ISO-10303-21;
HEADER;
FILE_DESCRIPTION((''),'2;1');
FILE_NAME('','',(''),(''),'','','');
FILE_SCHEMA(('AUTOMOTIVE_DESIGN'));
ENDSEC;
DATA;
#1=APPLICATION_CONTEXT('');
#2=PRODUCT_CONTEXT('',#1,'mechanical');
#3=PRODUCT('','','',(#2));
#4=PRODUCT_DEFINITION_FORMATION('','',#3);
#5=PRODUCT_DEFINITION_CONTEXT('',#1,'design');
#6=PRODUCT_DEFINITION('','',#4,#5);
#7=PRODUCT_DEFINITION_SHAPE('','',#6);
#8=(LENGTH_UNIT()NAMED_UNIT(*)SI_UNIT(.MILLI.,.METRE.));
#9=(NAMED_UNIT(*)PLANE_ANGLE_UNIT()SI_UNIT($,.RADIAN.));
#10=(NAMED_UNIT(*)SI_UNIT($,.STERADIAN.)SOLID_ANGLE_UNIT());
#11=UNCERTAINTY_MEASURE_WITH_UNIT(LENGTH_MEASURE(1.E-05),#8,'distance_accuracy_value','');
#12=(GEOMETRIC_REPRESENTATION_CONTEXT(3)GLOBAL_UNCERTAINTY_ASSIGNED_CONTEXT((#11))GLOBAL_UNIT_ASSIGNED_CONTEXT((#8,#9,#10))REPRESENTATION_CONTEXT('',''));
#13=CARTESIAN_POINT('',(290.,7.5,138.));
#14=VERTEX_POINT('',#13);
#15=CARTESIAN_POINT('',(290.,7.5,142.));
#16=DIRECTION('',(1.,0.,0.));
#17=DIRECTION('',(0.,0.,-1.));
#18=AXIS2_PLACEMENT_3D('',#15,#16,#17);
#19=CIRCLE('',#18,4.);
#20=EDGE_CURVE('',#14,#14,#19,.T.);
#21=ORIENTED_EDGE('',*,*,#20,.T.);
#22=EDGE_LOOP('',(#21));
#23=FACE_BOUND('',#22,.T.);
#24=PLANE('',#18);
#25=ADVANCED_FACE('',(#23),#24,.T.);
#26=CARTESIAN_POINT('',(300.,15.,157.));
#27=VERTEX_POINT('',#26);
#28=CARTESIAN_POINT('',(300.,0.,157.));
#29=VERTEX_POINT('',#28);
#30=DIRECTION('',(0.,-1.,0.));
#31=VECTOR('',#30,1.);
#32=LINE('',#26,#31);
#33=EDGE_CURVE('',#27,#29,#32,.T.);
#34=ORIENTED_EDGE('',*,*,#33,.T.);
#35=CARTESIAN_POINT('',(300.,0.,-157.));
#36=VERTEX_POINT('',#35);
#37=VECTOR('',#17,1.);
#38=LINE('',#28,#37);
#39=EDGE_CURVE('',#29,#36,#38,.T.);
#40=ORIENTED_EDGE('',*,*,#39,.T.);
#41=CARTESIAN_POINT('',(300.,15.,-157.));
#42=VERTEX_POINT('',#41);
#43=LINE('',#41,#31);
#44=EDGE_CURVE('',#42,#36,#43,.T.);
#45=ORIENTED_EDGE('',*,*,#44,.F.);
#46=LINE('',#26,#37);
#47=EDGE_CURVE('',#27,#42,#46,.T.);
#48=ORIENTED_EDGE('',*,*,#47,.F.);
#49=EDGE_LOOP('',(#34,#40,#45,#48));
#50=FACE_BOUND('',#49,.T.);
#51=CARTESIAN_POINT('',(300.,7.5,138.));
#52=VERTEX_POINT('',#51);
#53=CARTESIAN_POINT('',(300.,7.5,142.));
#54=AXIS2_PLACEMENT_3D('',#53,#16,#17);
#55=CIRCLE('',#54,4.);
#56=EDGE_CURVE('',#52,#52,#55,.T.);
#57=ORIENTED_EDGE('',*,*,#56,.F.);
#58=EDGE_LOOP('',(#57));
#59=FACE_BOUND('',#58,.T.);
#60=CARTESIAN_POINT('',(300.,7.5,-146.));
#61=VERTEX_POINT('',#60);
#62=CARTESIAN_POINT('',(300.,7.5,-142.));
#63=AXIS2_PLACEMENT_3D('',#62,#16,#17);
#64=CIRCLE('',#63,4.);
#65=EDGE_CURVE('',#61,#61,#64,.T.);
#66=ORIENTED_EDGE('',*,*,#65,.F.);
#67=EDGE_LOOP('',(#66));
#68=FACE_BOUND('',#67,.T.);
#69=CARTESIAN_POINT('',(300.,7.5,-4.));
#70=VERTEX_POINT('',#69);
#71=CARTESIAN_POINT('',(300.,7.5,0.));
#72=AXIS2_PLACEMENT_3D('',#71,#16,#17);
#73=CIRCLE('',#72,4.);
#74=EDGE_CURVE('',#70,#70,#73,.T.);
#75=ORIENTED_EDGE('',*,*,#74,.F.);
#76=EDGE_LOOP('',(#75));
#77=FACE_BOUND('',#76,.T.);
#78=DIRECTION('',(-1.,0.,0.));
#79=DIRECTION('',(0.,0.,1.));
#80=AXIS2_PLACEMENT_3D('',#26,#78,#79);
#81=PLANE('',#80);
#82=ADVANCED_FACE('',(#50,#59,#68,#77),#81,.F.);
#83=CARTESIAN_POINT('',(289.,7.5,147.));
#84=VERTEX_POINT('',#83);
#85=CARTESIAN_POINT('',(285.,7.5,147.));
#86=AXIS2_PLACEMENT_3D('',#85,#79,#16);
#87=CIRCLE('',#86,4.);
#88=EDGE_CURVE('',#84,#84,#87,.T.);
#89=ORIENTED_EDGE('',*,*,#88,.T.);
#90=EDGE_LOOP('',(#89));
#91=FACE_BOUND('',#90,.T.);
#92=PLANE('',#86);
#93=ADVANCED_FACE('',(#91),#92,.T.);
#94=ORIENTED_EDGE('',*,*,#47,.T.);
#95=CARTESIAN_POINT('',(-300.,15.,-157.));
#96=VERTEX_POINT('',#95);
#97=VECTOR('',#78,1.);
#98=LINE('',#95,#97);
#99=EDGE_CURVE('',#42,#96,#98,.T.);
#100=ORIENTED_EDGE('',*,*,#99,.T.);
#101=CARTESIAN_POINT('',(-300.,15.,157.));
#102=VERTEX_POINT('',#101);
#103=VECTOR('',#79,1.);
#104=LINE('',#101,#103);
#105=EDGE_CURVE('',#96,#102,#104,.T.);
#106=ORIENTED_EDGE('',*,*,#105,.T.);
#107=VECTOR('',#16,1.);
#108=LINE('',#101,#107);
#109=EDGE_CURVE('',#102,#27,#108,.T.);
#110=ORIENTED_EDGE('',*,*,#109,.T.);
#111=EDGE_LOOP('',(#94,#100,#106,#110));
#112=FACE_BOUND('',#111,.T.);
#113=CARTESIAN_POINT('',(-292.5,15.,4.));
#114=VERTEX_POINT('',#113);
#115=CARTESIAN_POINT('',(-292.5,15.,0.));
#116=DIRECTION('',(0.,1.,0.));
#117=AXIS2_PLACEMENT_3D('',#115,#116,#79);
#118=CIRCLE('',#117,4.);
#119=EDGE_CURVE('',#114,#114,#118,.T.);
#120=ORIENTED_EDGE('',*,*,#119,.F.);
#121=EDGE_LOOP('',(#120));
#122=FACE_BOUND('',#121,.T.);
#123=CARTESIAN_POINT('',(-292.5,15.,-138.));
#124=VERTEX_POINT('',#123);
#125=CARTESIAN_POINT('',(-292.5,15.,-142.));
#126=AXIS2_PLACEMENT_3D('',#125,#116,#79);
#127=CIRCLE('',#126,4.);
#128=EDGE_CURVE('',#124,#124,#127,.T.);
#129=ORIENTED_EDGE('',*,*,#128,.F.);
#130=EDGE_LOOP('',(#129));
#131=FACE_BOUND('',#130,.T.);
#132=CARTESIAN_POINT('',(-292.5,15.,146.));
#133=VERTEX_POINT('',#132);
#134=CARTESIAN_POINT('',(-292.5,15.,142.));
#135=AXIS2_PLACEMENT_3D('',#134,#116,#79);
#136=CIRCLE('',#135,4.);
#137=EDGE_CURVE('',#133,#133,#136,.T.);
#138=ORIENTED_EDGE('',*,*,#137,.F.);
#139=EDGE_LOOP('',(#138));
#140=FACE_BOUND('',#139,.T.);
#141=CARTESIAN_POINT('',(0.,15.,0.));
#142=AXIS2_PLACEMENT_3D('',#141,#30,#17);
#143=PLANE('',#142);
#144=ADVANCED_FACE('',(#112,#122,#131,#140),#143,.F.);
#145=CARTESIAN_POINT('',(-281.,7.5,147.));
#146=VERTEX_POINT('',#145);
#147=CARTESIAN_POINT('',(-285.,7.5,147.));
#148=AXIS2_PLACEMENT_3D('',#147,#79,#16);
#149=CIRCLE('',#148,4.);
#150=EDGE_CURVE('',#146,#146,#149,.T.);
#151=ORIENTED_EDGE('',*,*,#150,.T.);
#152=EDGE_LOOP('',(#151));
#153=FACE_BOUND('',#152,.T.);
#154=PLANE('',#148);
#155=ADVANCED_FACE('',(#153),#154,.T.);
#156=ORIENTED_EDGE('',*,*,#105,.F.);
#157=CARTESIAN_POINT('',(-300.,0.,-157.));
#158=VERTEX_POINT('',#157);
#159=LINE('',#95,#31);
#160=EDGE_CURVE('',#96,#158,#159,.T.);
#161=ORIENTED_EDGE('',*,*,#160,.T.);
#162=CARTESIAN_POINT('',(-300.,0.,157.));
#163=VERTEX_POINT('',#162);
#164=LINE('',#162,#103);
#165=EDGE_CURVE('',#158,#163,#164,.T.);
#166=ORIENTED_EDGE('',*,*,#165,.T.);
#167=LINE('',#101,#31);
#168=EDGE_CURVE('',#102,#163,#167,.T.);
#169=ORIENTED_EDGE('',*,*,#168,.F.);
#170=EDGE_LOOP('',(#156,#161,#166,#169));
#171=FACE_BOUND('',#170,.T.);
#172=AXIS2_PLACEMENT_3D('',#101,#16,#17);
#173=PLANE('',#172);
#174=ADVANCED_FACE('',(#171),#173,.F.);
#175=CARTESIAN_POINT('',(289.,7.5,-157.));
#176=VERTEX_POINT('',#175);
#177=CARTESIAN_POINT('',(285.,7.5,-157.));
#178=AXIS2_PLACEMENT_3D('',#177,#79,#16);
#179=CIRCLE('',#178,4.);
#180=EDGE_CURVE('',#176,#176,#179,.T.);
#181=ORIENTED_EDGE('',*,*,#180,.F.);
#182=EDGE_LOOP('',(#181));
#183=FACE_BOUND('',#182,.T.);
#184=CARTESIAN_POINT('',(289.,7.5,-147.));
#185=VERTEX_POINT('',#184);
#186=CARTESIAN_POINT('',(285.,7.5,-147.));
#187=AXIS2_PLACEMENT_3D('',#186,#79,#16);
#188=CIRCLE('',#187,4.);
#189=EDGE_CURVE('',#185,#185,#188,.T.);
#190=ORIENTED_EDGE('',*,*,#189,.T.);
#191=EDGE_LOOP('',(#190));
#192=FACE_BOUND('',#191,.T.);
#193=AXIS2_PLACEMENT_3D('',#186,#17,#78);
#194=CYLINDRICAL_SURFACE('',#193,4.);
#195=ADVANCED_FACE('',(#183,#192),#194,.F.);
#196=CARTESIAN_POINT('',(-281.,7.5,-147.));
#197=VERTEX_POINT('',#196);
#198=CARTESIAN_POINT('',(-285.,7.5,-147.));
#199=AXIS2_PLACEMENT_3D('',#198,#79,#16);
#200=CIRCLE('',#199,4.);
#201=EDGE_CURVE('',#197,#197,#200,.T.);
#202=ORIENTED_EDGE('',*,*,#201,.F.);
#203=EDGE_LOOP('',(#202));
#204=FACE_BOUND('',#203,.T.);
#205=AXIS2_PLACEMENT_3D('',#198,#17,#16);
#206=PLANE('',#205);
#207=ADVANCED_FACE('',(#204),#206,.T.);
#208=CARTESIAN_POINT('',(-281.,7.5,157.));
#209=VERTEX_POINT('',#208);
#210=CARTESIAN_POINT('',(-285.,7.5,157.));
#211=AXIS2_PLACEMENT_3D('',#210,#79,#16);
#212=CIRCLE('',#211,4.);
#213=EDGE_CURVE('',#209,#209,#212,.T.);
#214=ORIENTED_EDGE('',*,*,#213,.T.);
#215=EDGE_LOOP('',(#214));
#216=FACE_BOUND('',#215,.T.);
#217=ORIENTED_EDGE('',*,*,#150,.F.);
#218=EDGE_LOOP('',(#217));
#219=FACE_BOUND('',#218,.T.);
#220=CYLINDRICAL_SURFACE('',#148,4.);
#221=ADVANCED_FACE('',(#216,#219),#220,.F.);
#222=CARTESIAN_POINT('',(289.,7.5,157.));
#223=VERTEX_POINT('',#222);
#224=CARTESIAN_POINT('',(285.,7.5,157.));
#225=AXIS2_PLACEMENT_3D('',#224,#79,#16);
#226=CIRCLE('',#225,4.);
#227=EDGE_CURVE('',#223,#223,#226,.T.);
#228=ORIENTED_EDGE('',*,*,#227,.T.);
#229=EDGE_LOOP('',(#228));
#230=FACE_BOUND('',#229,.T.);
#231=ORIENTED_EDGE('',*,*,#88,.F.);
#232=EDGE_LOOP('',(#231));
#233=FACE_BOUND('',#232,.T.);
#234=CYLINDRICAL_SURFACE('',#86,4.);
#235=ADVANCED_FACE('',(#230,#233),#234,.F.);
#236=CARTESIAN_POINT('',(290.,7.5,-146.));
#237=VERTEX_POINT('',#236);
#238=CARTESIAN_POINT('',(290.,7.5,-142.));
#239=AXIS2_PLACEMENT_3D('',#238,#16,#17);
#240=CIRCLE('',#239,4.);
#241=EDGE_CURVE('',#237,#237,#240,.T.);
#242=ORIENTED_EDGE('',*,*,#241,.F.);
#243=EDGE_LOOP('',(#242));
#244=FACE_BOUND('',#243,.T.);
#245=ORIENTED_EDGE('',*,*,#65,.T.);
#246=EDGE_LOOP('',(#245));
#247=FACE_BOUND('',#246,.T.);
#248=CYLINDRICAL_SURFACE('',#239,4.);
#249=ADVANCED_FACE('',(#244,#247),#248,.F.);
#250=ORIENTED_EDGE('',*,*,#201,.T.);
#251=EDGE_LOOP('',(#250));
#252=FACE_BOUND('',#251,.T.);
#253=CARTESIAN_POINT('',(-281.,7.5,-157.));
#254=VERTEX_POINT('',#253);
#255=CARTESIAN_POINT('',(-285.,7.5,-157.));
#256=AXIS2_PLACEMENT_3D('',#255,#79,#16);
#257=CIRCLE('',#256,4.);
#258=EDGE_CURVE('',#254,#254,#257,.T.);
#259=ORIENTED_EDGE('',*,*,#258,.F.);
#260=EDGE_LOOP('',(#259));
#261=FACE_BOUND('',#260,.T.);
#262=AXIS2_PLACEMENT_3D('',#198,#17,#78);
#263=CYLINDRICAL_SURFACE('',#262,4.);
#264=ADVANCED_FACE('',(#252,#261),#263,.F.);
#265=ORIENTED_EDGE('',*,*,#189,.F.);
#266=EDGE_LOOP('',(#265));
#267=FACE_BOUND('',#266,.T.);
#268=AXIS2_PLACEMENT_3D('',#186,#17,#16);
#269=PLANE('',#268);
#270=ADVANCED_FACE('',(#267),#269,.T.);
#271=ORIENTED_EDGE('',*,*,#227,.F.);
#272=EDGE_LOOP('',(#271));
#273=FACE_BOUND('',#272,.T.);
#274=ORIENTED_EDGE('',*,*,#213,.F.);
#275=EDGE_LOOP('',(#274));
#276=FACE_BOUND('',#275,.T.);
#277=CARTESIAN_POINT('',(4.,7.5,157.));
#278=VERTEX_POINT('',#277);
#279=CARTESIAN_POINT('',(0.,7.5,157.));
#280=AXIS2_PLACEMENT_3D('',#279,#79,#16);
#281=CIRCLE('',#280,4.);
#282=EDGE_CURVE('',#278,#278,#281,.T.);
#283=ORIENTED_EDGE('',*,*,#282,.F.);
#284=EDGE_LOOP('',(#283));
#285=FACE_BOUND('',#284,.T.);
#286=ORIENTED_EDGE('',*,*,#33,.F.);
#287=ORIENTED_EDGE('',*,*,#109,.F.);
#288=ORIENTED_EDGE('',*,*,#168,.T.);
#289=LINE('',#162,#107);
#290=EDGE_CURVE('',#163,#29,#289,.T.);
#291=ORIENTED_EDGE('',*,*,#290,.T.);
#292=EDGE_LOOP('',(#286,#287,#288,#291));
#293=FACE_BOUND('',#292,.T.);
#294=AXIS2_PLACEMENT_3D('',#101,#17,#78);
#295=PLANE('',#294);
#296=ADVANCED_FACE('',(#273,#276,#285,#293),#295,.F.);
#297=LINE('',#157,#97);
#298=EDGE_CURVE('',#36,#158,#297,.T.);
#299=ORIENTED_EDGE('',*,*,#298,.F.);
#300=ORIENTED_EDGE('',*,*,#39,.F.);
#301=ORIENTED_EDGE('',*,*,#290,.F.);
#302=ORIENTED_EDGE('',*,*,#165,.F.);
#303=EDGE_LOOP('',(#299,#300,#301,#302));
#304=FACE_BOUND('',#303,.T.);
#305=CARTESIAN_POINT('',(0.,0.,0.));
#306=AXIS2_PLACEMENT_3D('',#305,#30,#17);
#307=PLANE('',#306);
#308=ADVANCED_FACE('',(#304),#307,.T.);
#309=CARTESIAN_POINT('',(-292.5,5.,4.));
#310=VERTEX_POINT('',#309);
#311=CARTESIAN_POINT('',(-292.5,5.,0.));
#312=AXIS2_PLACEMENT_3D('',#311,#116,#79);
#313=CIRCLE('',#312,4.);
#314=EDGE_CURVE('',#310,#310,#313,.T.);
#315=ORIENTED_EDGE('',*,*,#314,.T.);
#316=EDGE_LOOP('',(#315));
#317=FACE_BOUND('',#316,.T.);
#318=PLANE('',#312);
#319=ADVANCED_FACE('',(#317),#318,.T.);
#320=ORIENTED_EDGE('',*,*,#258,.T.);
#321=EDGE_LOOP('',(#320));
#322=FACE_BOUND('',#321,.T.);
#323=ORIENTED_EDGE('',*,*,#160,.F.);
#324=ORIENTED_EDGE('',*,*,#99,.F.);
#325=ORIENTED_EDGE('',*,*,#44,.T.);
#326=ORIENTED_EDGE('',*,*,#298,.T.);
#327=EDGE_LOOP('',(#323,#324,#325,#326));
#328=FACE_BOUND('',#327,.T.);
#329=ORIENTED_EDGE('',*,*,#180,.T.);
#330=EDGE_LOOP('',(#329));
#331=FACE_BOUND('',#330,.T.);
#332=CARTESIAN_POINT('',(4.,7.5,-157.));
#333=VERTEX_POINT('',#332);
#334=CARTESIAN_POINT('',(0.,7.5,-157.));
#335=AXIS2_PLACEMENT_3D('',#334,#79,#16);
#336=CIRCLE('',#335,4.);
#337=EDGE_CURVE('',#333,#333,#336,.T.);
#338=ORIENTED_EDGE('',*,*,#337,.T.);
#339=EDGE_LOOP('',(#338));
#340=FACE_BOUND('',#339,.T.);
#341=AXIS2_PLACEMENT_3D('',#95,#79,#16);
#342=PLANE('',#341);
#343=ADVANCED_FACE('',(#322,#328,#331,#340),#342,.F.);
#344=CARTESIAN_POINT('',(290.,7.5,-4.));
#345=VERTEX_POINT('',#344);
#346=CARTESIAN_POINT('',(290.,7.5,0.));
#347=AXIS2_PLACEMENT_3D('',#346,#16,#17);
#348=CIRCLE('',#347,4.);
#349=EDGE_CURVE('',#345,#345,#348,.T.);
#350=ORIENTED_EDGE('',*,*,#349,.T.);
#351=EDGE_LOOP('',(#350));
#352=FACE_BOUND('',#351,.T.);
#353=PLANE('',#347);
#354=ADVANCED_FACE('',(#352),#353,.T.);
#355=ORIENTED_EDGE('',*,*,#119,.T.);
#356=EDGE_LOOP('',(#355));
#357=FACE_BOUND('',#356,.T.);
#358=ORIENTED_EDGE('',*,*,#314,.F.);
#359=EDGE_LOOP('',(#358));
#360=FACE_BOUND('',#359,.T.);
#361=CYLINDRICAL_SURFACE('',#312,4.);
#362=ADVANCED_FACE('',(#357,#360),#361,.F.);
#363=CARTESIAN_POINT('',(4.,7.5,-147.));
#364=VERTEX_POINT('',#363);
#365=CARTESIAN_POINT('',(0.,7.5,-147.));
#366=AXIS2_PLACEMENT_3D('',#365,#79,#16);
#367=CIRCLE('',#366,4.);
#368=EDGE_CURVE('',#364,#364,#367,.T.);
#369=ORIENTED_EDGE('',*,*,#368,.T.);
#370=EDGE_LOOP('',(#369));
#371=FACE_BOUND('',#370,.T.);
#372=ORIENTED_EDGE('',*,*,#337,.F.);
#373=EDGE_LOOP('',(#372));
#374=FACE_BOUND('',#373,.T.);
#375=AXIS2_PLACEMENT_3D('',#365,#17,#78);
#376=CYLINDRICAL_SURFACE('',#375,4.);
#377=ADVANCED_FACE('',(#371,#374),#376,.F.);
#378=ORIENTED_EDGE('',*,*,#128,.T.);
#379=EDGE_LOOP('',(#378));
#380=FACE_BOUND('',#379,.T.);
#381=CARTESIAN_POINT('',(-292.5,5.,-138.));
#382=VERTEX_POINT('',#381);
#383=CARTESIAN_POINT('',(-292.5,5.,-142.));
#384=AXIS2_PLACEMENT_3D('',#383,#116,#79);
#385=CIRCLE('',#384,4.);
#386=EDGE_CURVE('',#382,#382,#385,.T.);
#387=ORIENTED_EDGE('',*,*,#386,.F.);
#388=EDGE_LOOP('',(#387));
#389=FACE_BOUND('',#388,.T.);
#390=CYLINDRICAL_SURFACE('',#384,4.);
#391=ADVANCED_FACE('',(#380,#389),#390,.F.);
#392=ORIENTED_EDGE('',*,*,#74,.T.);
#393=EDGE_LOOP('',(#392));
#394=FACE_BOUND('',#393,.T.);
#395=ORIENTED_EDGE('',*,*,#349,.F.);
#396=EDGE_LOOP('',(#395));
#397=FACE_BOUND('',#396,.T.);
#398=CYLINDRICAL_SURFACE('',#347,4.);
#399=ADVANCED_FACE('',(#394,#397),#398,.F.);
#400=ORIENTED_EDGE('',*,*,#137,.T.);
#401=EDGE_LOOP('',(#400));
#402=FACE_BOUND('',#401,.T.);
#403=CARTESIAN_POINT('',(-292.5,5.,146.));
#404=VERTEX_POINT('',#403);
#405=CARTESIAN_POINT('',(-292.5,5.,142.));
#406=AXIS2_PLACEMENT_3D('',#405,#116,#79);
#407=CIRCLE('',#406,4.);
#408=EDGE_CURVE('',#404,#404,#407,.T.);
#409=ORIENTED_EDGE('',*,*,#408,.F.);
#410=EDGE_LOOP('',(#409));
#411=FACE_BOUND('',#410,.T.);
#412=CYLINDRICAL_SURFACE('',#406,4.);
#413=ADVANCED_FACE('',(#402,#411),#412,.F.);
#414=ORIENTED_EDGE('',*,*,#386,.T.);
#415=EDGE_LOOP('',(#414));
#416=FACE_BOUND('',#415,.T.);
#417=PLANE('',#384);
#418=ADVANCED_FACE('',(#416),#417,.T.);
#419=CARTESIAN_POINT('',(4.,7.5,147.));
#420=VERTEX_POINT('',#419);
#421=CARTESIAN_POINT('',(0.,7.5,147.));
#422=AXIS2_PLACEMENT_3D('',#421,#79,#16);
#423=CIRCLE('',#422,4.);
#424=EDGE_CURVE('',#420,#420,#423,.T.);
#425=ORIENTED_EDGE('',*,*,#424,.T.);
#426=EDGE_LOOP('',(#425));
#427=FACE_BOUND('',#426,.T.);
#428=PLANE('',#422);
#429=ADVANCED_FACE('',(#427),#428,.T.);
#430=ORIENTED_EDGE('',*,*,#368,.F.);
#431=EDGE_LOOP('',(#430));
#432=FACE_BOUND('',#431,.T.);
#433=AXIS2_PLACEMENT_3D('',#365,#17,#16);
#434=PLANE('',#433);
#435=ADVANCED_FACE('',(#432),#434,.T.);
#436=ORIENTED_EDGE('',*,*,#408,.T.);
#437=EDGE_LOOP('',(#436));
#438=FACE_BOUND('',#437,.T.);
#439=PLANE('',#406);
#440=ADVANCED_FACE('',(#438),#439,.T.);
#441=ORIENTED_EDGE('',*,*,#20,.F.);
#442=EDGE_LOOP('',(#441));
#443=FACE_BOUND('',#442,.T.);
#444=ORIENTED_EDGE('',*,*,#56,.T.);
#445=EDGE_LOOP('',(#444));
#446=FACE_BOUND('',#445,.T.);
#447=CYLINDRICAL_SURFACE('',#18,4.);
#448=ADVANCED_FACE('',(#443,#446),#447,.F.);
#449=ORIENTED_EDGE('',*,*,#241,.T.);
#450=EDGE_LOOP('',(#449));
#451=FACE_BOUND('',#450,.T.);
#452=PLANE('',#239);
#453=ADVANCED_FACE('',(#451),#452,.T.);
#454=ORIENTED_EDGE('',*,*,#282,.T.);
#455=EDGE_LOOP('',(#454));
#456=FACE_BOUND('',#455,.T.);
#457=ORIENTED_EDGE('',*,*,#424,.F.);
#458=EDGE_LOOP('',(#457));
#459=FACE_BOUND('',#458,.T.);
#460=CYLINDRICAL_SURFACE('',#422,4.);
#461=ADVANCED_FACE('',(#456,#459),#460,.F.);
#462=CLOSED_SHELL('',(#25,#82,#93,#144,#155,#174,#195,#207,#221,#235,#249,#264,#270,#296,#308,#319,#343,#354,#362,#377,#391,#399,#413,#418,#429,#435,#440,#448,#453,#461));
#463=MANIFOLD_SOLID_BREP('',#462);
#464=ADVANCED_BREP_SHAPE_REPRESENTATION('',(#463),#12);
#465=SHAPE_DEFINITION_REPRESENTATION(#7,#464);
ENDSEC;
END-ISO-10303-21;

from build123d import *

# Parameters (mm, degrees)
SKETCH1_W               = 600
SKETCH1_H               = 314
BOSS_EXTRUDE1_DEPTH     = 15
SKETCH2_R               = 4
CUT_EXTRUDE1_DEPTH      = 10
LPATTERN1_COUNT         = 3
LPATTERN1_PITCH         = 142
SKETCH3_R               = 4
CUT_EXTRUDE2_DEPTH      = 10
LPATTERN2_COUNT         = 3
LPATTERN2_PITCH         = 285
SKETCH4_R               = 4
CUT_EXTRUDE3_DEPTH      = 10
LPATTERN3_COUNT         = 3
LPATTERN3_PITCH         = 142
MIRROR1_COPY_1_SKETCH_R = 4
MIRROR1_COPY_1_DEPTH    = 10
MIRROR1_COPY_2_SKETCH_R = 4
MIRROR1_COPY_2_DEPTH    = 10


with BuildPart() as part:
    # Sketch1 → Boss-Extrude1 (new body)
    with BuildSketch(Plane(origin=(0, 0, 0), x_dir=(1, 0, 0), z_dir=(0, 1, 0))):
        Rectangle(SKETCH1_W, SKETCH1_H)
    extrude(amount=BOSS_EXTRUDE1_DEPTH)

    # Sketch2 → Cut-Extrude1 (cut)
    with BuildSketch(Plane(origin=(0, 15, 0), x_dir=(1, 0, 0), z_dir=(0, 1, 0))):
        with Locations((-292.5, 142)):
            Circle(SKETCH2_R)
    cut_extrude1 = extrude(amount=-CUT_EXTRUDE1_DEPTH, mode=Mode.SUBTRACT)

    # LPattern1: Cut-Extrude1 ×3
    with Locations(*[(0, 0, i * LPATTERN1_PITCH) for i in range(1, LPATTERN1_COUNT)]):
        add(cut_extrude1, mode=Mode.SUBTRACT)

    # Sketch3 → Cut-Extrude2 (cut)
    with BuildSketch(Plane.XY.offset(157)):
        with Locations((-285, 7.5)):
            Circle(SKETCH3_R)
    cut_extrude2 = extrude(amount=-CUT_EXTRUDE2_DEPTH, mode=Mode.SUBTRACT)

    # LPattern2: Cut-Extrude2 ×3
    with Locations(*[(i * LPATTERN2_PITCH, 0, 0) for i in range(1, LPATTERN2_COUNT)]):
        add(cut_extrude2, mode=Mode.SUBTRACT)

    # Sketch4 → Cut-Extrude3 (cut)
    with BuildSketch(Plane(origin=(300, 0, 0), x_dir=(0, 0, -1), z_dir=(1, 0, 0))):
        with Locations((-142, 7.5)):
            Circle(SKETCH4_R)
    cut_extrude3 = extrude(amount=-CUT_EXTRUDE3_DEPTH, mode=Mode.SUBTRACT)

    # LPattern3: Cut-Extrude3 ×3
    with Locations(*[(0, 0, -i * LPATTERN3_PITCH) for i in range(1, LPATTERN3_COUNT)]):
        add(cut_extrude3, mode=Mode.SUBTRACT)

    # Mirror1: Cut-Extrude2 across plane
    add(cut_extrude2.mirror(Plane.XY), mode=Mode.SUBTRACT)

    # Mirror1 copy 1 sketch → Mirror1 copy 1 (cut)
    with BuildSketch(Plane(origin=(285, 0, -157), x_dir=(1, 0, 0), z_dir=(0, 0, -1))):
        with Locations((-285, -7.5)):
            Circle(MIRROR1_COPY_1_SKETCH_R)
    extrude(amount=-MIRROR1_COPY_1_DEPTH, mode=Mode.SUBTRACT)

    # Mirror1 copy 2 sketch → Mirror1 copy 2 (cut)
    with BuildSketch(Plane(origin=(570, 0, -157), x_dir=(1, 0, 0), z_dir=(0, 0, -1))):
        with Locations((-285, -7.5)):
            Circle(MIRROR1_COPY_2_SKETCH_R)
    extrude(amount=-MIRROR1_COPY_2_DEPTH, mode=Mode.SUBTRACT)


solid = part.part
